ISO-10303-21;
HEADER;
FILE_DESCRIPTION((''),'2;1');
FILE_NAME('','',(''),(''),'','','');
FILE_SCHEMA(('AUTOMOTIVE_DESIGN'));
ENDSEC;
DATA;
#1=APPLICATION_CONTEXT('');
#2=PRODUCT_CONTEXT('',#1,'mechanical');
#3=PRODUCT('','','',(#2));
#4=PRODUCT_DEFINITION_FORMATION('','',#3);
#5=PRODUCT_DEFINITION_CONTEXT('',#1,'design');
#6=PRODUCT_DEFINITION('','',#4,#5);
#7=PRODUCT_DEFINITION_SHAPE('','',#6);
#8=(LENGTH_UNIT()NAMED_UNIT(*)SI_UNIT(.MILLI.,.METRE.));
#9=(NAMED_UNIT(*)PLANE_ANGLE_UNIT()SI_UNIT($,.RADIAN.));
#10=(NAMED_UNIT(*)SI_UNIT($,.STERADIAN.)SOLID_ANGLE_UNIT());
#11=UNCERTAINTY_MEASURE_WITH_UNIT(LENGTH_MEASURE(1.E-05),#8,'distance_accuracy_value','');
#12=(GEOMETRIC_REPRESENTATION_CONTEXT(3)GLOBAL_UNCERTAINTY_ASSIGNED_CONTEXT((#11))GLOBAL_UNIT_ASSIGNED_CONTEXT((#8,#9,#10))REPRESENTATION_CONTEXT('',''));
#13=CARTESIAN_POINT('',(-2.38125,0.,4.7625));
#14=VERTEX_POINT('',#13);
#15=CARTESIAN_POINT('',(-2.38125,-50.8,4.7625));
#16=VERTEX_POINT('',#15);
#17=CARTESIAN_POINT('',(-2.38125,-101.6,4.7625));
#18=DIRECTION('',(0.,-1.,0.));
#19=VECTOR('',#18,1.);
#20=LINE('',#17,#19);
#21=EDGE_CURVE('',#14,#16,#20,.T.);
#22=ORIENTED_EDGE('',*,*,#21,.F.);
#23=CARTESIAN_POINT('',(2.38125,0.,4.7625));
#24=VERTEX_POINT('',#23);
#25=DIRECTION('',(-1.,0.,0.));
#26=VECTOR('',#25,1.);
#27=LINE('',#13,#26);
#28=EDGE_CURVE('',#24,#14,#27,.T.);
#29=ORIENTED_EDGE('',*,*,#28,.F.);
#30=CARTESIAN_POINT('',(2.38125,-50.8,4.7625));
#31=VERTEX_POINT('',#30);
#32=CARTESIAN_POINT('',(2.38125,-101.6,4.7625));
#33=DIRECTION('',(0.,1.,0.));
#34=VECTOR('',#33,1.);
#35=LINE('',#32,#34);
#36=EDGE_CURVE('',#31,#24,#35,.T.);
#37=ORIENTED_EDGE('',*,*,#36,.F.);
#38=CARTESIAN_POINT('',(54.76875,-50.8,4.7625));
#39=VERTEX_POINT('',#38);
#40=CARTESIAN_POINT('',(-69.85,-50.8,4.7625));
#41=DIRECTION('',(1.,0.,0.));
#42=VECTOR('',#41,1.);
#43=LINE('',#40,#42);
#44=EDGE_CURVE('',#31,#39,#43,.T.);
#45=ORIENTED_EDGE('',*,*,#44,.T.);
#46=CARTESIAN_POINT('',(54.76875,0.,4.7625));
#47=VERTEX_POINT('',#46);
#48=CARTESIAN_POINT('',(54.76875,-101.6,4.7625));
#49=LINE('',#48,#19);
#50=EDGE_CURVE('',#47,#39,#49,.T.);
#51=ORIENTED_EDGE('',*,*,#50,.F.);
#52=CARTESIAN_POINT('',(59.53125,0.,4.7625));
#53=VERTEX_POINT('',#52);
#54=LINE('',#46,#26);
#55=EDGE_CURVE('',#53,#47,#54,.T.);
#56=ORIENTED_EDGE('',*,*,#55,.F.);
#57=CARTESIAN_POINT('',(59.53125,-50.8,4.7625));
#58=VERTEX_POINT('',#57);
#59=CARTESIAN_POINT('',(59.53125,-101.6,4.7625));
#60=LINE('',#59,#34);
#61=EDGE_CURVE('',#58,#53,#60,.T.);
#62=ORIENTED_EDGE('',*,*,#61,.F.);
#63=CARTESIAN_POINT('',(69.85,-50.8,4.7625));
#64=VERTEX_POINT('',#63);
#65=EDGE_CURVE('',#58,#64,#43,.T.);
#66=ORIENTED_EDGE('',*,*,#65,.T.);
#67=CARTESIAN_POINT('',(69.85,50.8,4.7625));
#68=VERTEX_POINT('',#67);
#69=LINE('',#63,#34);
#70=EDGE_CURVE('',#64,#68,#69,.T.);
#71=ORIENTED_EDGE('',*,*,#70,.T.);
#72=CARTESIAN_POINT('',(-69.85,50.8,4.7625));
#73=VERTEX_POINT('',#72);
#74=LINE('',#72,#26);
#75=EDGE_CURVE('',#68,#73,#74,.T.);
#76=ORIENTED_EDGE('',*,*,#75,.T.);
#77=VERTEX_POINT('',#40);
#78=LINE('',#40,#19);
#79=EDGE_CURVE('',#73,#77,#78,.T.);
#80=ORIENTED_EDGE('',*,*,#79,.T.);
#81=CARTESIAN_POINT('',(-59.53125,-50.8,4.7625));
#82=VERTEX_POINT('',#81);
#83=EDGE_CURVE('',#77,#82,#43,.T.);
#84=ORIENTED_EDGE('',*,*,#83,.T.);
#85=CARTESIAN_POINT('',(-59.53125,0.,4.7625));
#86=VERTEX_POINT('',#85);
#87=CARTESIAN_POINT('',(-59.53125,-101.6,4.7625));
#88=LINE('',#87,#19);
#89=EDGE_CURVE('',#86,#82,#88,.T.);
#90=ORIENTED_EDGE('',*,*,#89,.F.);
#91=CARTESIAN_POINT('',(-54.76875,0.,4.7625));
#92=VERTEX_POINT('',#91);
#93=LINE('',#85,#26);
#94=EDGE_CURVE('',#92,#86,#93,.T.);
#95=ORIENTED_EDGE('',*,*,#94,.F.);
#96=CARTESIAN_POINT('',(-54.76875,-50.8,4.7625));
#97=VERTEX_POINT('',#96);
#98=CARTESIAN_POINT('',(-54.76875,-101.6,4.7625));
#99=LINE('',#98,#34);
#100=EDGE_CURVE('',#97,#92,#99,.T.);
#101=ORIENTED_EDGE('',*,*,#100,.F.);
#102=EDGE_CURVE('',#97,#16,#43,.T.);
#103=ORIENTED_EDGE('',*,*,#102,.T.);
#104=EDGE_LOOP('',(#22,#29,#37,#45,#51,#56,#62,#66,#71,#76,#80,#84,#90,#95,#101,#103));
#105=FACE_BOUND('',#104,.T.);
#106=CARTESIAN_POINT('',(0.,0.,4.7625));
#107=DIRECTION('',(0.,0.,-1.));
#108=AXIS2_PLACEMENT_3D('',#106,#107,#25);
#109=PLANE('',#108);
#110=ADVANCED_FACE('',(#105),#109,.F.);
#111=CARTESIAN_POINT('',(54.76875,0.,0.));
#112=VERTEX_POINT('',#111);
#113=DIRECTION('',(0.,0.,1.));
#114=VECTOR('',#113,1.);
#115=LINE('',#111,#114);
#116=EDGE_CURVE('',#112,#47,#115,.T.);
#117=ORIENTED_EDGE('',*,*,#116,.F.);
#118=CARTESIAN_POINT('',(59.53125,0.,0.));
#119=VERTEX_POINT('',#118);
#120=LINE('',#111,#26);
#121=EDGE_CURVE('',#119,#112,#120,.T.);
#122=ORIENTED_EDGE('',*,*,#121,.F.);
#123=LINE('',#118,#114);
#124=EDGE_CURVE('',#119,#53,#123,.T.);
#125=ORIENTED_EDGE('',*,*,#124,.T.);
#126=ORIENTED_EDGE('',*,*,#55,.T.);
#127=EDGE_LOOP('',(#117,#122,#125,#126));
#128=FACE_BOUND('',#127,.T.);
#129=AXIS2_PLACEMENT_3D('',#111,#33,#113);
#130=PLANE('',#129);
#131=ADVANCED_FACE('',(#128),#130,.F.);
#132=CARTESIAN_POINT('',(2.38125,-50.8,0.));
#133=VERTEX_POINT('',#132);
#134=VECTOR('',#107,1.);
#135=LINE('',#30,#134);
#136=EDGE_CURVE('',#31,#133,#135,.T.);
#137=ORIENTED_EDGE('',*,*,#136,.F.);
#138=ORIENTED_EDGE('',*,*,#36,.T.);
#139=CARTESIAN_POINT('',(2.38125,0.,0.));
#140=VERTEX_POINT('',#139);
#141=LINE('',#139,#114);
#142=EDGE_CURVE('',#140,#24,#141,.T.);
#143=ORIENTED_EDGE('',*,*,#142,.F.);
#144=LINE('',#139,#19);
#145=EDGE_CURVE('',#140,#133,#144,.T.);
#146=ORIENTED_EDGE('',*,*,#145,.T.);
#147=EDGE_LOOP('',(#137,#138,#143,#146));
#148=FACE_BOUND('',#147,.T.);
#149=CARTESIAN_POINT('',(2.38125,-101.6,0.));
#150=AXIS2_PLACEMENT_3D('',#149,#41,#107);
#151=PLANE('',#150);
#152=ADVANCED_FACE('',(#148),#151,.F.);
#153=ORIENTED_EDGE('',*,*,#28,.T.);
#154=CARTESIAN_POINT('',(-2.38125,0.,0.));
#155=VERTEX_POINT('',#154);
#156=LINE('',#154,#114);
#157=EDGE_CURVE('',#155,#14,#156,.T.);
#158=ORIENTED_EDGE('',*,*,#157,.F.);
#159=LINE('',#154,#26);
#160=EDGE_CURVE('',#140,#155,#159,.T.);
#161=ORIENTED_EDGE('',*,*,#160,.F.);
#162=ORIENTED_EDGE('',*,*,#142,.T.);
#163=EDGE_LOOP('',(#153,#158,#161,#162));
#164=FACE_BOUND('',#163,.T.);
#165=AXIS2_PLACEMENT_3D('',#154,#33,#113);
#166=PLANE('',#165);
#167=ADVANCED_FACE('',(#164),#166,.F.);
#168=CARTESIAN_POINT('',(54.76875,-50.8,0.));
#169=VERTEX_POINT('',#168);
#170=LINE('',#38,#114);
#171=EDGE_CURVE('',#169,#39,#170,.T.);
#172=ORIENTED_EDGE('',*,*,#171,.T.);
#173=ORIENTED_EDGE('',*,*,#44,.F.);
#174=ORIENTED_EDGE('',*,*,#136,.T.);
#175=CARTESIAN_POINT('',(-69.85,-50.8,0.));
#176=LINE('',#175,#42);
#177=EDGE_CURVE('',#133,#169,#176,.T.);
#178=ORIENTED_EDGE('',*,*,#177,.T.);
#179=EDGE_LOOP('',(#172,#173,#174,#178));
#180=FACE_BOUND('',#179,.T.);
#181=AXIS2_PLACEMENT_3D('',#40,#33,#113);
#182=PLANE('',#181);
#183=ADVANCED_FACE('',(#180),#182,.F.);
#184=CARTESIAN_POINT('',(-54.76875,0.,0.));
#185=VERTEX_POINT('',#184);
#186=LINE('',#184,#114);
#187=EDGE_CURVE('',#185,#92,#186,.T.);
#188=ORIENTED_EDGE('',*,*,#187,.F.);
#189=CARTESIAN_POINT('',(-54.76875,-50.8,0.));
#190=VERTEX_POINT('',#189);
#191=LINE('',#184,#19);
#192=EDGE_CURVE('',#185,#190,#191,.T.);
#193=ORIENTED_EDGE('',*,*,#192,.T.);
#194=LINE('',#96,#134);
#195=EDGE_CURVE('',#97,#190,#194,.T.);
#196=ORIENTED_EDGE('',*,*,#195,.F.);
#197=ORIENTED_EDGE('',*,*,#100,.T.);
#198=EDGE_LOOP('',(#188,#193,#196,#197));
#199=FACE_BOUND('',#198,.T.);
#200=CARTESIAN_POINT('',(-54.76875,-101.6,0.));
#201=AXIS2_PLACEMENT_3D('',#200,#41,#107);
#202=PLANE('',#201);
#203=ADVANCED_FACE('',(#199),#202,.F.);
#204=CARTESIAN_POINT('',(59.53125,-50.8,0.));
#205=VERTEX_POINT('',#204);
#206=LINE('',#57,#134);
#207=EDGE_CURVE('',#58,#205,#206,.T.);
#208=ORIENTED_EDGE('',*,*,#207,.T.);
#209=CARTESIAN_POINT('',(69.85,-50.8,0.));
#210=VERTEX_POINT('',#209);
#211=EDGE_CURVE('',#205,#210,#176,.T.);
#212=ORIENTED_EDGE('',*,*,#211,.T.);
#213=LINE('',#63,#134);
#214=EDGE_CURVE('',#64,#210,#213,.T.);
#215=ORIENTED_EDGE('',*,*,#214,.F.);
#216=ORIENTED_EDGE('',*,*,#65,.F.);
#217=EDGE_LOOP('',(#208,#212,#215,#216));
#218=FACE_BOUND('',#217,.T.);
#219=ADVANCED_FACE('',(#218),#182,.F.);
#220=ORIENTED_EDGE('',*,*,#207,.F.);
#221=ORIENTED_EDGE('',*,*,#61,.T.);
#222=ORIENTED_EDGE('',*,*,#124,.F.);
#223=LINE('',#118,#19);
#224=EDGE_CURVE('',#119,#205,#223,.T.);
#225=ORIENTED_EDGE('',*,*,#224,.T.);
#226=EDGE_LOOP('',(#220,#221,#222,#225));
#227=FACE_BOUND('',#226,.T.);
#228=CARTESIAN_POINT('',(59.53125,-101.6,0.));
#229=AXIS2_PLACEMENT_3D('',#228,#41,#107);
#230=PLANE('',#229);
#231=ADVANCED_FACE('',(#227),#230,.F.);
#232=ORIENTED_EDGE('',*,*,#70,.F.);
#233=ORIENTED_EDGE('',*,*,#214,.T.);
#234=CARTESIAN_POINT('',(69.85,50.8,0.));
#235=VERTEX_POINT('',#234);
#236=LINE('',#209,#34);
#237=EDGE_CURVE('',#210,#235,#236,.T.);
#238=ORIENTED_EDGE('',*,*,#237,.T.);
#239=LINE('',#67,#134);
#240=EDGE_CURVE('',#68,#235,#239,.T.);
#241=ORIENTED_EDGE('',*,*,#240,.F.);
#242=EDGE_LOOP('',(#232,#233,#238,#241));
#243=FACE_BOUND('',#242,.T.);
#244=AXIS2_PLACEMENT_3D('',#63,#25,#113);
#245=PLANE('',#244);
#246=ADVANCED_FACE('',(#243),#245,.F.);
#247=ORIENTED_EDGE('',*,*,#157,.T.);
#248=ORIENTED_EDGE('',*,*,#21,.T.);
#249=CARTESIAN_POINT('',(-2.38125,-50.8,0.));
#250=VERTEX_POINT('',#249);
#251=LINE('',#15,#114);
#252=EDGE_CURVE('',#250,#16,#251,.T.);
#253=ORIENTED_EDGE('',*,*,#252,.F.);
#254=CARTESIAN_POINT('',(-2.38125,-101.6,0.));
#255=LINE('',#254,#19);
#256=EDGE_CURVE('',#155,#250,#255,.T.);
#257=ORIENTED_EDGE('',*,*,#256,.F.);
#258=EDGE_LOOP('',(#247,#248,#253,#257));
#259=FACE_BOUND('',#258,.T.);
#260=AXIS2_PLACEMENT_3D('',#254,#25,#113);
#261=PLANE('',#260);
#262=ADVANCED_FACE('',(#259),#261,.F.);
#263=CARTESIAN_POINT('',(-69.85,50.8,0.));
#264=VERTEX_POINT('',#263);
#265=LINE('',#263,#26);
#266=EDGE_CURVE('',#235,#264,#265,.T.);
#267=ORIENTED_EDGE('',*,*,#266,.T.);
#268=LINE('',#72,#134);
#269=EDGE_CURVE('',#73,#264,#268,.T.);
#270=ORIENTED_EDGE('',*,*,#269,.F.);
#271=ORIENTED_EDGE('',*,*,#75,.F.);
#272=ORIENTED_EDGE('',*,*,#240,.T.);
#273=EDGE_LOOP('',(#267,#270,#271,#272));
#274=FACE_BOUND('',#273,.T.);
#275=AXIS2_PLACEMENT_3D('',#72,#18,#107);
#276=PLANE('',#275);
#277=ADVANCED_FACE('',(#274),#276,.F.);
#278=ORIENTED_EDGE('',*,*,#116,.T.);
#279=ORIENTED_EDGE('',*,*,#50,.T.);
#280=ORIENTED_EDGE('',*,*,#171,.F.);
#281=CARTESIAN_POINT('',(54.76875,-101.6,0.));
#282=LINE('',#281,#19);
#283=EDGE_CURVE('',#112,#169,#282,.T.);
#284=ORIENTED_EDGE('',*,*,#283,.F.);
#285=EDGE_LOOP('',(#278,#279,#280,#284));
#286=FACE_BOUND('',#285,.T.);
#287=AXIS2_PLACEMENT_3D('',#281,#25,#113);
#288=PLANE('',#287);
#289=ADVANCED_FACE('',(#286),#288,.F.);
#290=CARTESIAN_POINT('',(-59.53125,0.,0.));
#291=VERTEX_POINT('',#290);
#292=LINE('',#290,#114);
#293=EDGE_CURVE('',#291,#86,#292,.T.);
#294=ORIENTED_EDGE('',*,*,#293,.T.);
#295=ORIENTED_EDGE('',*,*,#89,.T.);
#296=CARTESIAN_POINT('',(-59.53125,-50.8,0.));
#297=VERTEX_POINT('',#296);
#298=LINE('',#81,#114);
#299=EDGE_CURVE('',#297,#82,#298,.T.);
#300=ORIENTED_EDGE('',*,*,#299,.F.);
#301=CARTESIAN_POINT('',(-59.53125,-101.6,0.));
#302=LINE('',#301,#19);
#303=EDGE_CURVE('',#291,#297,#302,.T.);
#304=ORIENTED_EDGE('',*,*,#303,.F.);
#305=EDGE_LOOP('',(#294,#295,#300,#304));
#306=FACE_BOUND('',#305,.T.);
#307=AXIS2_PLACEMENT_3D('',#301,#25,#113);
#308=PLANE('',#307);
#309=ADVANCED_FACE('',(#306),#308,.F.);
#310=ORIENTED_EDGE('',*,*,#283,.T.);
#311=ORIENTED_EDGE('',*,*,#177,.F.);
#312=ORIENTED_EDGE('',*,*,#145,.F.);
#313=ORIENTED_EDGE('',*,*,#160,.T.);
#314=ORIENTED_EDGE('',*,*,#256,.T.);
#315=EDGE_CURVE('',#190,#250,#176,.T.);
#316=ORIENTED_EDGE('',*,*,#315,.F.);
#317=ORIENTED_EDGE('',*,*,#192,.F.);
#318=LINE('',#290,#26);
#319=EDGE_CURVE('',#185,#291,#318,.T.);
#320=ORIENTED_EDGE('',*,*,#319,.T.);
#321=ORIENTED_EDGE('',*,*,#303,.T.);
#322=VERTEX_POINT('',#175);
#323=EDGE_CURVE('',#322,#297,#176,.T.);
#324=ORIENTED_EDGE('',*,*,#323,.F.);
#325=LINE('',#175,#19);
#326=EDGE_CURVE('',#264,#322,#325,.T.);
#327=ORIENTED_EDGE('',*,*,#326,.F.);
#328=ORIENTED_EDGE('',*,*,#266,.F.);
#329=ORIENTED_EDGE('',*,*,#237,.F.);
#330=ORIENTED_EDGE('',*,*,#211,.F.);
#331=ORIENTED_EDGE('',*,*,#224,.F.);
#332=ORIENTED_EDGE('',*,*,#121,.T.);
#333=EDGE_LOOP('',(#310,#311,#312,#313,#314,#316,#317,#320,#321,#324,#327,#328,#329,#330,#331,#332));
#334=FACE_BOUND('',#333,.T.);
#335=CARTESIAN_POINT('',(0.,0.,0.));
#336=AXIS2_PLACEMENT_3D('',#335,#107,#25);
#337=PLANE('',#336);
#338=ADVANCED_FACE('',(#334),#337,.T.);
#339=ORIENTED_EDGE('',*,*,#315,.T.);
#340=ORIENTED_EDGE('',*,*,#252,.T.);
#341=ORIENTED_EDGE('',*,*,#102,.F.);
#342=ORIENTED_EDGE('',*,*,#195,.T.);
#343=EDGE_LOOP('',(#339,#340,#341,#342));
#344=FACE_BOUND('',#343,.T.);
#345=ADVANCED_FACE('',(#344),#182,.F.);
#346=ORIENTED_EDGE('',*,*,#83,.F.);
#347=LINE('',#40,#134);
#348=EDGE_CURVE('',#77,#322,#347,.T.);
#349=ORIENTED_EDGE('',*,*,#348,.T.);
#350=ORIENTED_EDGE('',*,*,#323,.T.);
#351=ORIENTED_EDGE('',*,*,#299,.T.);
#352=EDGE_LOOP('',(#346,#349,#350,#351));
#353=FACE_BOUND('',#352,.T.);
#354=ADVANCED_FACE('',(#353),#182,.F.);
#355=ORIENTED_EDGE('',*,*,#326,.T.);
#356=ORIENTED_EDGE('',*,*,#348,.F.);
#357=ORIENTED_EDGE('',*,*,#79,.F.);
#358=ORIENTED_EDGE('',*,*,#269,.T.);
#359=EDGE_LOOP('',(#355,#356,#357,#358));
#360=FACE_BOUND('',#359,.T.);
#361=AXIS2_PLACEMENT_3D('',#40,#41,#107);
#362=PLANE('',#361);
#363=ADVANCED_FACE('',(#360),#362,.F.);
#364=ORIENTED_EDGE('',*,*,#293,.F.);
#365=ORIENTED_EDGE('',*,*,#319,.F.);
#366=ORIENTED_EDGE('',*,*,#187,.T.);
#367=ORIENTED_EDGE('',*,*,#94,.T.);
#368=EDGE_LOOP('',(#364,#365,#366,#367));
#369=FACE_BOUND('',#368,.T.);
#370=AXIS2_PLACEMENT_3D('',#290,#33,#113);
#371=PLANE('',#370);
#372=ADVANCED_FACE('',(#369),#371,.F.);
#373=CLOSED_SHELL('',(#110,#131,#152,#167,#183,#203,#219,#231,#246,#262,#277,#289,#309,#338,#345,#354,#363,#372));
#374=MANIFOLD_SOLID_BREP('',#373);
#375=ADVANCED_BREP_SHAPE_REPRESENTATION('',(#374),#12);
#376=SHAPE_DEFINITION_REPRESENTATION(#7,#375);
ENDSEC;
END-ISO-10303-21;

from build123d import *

# Parameters (mm, degrees)
SKETCH1_W           = 139.7
SKETCH1_H           = 101.6
BOSS_EXTRUDE1_DEPTH = 4.7625
SKETCH2_W           = 4.7625
SKETCH2_H           = 101.6
CUT_EXTRUDE1_DEPTH  = 87.500542809
LPATTERN1_COUNT     = 3
LPATTERN1_PITCH     = 57.15


with BuildPart() as part:
    # Sketch1 → Boss-Extrude1 (new body)
    with BuildSketch(Plane.XY):
        Rectangle(SKETCH1_W, SKETCH1_H)
    extrude(amount=BOSS_EXTRUDE1_DEPTH)

    # Sketch2 → Cut-Extrude1 (cut, through all)
    with BuildSketch(Plane.XY.offset(4.7625)):
        with Locations((-57.15, -50.8)):
            Rectangle(SKETCH2_W, SKETCH2_H)
    cut_extrude1 = extrude(amount=-CUT_EXTRUDE1_DEPTH, mode=Mode.SUBTRACT)

    # LPattern1: Cut-Extrude1 ×3
    with Locations(*[(i * LPATTERN1_PITCH, 0, 0) for i in range(1, LPATTERN1_COUNT)]):
        add(cut_extrude1, mode=Mode.SUBTRACT)


solid = part.part
